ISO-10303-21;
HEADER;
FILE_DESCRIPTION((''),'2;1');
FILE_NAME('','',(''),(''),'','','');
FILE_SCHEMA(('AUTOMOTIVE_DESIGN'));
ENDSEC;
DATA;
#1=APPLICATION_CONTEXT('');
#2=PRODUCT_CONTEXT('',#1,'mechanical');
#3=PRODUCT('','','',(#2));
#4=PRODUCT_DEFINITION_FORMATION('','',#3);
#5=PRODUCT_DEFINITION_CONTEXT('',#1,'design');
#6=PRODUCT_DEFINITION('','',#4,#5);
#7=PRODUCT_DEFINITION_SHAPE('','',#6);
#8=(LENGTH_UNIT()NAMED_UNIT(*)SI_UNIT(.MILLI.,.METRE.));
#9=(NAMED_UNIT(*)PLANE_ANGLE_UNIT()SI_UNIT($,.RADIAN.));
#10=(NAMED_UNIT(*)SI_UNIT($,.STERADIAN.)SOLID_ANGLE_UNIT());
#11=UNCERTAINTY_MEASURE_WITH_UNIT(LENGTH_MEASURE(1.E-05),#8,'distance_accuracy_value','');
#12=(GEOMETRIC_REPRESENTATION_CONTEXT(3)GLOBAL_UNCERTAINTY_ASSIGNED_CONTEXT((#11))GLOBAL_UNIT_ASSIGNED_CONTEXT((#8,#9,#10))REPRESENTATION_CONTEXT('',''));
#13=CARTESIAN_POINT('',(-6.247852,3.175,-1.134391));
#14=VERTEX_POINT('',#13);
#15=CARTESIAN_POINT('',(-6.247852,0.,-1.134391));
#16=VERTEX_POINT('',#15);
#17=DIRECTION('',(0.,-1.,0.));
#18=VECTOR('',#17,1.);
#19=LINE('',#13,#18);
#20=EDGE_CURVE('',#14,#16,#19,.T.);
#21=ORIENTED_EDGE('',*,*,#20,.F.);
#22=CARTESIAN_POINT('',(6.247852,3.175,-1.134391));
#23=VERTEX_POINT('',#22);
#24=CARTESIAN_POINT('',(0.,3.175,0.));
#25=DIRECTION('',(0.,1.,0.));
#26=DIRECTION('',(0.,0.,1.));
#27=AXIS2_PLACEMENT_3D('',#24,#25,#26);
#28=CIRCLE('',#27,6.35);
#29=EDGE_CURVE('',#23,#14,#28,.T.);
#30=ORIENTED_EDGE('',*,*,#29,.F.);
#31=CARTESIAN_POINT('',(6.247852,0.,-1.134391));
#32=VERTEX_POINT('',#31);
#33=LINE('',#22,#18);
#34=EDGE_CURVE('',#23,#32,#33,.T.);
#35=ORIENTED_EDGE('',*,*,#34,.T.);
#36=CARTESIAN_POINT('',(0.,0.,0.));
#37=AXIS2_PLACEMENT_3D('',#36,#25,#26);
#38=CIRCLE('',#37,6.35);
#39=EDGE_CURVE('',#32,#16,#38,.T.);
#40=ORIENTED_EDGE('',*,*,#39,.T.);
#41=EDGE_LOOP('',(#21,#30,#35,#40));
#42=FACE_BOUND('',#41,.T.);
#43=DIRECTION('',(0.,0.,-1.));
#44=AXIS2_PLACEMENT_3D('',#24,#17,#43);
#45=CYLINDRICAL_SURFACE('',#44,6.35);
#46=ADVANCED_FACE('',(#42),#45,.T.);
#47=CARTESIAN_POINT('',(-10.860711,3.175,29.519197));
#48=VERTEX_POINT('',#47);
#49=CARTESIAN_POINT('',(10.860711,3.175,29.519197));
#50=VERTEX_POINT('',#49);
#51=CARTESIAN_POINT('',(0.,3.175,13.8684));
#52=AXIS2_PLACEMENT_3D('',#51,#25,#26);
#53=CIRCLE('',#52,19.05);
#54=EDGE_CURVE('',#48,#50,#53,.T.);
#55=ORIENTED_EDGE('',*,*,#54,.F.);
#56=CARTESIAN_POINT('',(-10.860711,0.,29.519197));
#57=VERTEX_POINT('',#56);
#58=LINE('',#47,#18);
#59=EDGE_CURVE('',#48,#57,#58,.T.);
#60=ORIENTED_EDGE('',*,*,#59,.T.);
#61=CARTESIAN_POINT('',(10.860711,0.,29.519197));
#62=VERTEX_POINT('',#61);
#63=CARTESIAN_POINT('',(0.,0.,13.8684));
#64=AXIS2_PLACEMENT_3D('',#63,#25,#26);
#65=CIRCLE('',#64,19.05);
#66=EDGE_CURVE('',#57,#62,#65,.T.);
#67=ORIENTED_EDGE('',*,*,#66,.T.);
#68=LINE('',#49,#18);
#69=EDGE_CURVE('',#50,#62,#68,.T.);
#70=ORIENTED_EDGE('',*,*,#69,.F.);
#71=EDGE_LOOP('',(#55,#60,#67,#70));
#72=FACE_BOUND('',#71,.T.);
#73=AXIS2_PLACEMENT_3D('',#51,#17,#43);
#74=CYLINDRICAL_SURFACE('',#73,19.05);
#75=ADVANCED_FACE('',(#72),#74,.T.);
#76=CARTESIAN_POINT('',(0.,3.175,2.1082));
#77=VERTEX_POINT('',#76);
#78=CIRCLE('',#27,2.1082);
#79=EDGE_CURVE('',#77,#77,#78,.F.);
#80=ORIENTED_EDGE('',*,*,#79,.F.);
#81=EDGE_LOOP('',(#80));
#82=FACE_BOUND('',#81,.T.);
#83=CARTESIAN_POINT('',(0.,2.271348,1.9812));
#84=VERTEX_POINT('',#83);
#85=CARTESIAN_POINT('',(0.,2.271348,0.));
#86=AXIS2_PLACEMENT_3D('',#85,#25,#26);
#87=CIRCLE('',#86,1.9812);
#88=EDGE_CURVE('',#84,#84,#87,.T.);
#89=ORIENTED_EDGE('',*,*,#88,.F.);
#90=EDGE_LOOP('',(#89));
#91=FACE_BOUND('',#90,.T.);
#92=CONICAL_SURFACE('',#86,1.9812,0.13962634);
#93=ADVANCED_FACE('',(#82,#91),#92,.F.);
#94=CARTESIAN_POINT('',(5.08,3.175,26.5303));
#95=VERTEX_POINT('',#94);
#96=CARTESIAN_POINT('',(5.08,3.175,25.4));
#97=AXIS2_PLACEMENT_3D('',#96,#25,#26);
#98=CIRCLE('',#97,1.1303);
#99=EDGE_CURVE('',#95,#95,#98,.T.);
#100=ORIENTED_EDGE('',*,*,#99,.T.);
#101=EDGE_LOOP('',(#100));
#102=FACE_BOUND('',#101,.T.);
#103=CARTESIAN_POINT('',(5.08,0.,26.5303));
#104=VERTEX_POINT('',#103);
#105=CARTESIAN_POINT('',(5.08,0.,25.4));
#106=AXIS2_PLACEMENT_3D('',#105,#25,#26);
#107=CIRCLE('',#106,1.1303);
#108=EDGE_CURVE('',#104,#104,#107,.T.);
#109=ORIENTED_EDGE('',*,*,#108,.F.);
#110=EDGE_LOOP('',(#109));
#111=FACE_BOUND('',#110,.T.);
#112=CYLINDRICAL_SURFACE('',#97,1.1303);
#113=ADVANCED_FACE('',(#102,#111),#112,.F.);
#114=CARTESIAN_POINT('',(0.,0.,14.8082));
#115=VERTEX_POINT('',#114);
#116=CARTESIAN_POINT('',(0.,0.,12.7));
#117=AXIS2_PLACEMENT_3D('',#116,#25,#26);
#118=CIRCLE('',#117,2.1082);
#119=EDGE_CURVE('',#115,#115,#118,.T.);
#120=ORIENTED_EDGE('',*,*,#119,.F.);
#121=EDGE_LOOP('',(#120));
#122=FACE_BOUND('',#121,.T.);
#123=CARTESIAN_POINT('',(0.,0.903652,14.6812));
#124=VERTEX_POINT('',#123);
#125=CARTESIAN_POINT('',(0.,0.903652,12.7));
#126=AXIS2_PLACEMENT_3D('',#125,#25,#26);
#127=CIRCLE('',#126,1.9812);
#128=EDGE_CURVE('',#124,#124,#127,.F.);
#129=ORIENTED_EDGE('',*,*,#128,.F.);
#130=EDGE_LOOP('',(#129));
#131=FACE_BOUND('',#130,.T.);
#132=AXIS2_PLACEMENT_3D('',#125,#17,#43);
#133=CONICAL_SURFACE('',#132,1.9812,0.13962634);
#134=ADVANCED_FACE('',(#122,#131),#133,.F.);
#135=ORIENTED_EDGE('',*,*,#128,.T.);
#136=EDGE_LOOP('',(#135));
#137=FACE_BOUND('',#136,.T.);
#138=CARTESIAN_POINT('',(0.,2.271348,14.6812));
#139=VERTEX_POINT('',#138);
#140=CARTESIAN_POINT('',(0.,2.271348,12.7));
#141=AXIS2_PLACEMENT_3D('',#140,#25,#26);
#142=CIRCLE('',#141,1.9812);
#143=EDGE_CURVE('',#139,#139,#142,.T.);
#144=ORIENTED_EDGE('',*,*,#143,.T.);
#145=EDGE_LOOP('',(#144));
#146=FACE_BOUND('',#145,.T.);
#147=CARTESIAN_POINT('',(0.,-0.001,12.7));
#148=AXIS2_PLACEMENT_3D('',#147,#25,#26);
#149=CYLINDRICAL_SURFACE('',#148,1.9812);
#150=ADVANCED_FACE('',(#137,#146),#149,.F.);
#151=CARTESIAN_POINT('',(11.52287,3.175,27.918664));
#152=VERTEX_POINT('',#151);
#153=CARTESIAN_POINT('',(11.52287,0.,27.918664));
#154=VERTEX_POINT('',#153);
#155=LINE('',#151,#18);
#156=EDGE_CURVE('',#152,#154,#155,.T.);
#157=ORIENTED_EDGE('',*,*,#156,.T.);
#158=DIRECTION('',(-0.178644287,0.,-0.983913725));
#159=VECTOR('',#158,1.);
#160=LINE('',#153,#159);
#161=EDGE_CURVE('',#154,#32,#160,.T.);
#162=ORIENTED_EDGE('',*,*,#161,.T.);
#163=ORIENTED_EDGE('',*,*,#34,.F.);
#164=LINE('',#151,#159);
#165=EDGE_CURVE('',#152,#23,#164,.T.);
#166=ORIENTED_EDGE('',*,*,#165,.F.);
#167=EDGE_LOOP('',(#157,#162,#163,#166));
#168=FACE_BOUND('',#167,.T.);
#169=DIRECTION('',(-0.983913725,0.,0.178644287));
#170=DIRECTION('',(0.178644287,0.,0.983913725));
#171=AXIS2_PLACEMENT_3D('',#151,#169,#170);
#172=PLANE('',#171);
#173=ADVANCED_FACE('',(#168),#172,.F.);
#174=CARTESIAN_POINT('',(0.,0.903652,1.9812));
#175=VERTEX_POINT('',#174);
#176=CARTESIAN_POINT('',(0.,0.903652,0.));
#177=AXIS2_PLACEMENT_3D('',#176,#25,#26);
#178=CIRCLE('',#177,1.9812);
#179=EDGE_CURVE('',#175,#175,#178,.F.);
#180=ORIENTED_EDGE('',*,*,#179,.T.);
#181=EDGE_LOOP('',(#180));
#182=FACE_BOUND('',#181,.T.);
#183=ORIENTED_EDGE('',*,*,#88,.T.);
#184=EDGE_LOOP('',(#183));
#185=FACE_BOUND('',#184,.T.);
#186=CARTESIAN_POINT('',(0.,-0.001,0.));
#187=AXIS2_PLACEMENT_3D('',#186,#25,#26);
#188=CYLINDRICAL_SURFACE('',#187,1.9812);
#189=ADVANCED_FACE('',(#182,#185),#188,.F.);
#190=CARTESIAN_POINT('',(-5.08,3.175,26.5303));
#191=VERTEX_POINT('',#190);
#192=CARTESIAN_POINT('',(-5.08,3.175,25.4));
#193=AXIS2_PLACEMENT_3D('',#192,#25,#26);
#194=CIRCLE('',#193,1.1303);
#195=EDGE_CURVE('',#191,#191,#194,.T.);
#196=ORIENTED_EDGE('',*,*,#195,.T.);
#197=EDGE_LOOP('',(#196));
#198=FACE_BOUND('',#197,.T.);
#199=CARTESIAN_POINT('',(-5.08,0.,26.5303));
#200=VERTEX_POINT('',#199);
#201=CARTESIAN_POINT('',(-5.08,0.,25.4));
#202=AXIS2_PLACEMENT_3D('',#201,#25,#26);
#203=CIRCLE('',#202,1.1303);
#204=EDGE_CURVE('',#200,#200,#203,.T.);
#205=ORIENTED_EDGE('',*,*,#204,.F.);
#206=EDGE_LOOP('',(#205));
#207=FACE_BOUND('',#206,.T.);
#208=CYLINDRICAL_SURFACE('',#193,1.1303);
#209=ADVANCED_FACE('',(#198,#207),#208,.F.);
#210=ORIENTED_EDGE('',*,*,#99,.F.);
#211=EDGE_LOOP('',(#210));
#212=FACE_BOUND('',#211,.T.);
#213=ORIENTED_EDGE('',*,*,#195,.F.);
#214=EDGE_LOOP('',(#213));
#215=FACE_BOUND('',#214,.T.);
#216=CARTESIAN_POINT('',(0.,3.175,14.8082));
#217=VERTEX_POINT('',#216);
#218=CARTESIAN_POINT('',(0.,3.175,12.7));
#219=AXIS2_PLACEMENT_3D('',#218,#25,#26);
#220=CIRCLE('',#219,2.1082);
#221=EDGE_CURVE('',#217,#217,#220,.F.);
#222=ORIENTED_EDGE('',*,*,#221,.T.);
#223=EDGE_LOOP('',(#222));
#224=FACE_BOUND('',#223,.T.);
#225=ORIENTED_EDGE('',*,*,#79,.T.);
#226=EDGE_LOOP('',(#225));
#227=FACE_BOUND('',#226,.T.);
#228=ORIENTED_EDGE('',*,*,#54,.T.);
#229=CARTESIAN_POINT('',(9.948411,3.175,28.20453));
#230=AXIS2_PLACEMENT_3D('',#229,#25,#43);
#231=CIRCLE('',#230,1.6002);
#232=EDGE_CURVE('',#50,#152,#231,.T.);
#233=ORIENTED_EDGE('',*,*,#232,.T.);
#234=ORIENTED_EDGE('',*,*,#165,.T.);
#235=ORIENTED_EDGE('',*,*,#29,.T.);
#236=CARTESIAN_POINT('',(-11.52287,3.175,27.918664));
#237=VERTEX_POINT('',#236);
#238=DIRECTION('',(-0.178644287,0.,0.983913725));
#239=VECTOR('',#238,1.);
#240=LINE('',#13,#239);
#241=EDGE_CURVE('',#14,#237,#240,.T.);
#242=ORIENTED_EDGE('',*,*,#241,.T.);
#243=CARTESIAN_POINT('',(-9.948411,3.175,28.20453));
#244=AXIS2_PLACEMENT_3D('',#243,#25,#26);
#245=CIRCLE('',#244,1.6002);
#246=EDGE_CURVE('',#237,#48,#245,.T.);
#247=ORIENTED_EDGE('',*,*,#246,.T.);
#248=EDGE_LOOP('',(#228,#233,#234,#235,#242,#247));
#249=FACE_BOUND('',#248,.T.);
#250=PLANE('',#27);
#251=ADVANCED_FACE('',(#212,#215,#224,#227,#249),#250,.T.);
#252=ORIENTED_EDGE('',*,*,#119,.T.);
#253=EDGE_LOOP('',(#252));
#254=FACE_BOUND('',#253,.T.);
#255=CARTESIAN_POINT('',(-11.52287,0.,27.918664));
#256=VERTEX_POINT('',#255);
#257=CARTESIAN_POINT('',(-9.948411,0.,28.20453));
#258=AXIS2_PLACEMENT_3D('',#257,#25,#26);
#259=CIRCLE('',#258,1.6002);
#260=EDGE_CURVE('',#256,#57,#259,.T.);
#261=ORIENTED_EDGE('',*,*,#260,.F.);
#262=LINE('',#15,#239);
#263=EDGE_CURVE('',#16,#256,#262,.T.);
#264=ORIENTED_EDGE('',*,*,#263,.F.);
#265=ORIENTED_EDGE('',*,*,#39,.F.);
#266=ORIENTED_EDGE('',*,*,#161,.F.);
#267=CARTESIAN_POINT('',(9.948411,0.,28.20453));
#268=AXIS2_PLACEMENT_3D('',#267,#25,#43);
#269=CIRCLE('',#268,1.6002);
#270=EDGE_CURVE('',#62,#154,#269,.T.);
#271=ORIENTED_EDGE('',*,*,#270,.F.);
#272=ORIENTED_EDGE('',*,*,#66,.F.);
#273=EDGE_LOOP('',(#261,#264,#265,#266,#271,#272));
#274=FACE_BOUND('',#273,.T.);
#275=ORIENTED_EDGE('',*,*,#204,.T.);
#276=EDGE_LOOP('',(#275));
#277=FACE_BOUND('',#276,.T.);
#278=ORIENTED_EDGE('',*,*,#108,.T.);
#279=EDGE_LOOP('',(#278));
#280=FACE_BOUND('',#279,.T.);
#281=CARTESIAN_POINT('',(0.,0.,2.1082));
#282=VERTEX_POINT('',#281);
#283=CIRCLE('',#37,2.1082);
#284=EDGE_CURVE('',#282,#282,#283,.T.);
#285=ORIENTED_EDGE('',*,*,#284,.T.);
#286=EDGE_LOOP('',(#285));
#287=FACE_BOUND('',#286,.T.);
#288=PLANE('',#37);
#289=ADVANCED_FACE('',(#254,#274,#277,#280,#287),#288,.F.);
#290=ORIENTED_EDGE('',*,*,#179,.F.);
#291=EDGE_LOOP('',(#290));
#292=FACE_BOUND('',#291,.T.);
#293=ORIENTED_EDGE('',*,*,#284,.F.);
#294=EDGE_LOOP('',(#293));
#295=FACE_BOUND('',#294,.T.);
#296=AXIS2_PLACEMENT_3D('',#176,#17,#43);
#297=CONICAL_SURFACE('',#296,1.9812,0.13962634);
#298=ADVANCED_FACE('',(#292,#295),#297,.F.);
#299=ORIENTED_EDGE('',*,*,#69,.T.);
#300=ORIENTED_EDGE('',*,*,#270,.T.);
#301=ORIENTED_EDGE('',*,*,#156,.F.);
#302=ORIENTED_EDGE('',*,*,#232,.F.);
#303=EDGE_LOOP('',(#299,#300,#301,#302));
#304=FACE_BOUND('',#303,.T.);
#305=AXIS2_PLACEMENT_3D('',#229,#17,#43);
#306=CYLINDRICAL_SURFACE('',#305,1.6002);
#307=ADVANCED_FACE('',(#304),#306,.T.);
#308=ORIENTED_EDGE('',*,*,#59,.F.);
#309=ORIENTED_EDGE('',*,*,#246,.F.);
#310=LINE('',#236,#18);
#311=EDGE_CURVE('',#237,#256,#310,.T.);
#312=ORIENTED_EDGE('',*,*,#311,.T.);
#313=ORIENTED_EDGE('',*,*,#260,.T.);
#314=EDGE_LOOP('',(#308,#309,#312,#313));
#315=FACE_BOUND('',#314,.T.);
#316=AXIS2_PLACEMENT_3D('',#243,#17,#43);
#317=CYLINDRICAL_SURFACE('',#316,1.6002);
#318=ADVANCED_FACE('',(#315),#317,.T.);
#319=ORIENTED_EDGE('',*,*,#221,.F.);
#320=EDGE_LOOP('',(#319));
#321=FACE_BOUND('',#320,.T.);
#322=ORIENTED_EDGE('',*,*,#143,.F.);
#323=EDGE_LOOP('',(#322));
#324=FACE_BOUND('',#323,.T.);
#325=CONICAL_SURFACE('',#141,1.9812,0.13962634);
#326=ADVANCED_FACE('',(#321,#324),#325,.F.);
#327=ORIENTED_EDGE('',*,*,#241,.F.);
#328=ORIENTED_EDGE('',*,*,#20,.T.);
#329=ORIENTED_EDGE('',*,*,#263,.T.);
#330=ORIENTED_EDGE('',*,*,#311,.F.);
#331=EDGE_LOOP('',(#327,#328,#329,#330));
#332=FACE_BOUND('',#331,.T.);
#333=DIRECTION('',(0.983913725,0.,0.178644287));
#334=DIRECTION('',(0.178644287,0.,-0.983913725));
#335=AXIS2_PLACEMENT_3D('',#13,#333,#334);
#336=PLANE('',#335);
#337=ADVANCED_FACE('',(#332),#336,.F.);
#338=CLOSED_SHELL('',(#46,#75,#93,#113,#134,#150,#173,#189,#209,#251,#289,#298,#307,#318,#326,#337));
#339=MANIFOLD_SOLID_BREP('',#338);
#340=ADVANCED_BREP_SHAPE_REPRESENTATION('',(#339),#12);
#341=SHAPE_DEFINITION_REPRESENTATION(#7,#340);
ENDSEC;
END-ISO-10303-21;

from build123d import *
from OCP.BRepFilletAPI import BRepFilletAPI_MakeChamfer

# Parameters (mm, degrees)
BOSS_EXTRUDE1_DEPTH   = 3.175
F_4_40_TAPPED_HOLE1_D = 2.2606
CUT_EXTRUDE1_REACH    = 37.03
SKETCH3_R             = 1.9812
CHAMFER1_SIZE         = 0.127
CHAMFER1_SIZE2        = 0.903651955


with BuildPart() as part:
    # Sketch2 → Boss-Extrude1 (new body)
    with BuildSketch(Plane(origin=(0, 0, 0), x_dir=(1, 0, 0), z_dir=(0, 1, 0))):
        with BuildLine():
            Line((-6.247852156, 1.134391221), (-11.522869846, -27.918663873))
            ThreePointArc((-11.522869846, -27.918663873), (-11.4270655, -28.816266687), (-10.860710811, -29.519197446))
            ThreePointArc((-10.860710811, -29.519197446), (0, -32.9184), (10.860710811, -29.519197446))
            ThreePointArc((10.860710811, -29.519197446), (11.4270655, -28.816266687), (11.522869846, -27.918663873))
            Line((11.522869846, -27.918663873), (6.247852156, 1.134391221))
            ThreePointArc((6.247852156, 1.134391221), (0, 6.35), (-6.247852156, 1.134391221))
        make_face()
    extrude(amount=BOSS_EXTRUDE1_DEPTH)

    # #4-40 Tapped Hole1 (through all)
    with Locations(Plane(origin=(0, 3.175, 0), x_dir=(1, 0, 0), z_dir=(0, 1, 0))):
        with Locations((-5.08, -25.4), (5.08, -25.4)):
            Hole(F_4_40_TAPPED_HOLE1_D / 2)

    # Sketch3 → Cut-Extrude1 (cut, up to next)
    with BuildSketch(Plane(origin=(0, 3.175, 0), x_dir=(1, 0, 0), z_dir=(0, 1, 0)), mode=Mode.PRIVATE) as cut_extrude1_sk1:
        with Locations(Location((0, 0, 0), (0, 0, 270))):
            Circle(SKETCH3_R)
    cut_extrude1_tool1 = extrude(cut_extrude1_sk1.sketch, amount=-CUT_EXTRUDE1_REACH, mode=Mode.PRIVATE) & part.part
    # Sketch3 → Cut-Extrude1 (cut, up to next)
    with BuildSketch(Plane(origin=(0, 3.175, 0), x_dir=(1, 0, 0), z_dir=(0, 1, 0)), mode=Mode.PRIVATE) as cut_extrude1_sk2:
        with Locations(Location((0, -12.7, 0), (0, 0, 270))):
            Circle(SKETCH3_R)
    cut_extrude1_tool2 = extrude(cut_extrude1_sk2.sketch, amount=-CUT_EXTRUDE1_REACH, mode=Mode.PRIVATE) & part.part
    add(cut_extrude1_tool1.solids().sort_by_distance((0, 3.175, 0))[0], mode=Mode.SUBTRACT)
    add(cut_extrude1_tool2.solids().sort_by_distance((0, 3.175, 12.7))[0], mode=Mode.SUBTRACT)

    # Chamfer1: one chamfer whose edges measure the first distance from different faces: ONE call of the kernel's chamfer builder (chamfer() names one face for all edges)
    chamfer1_edges_1 = [part.edges().sort_by_distance(p)[0] for p in [
        (0, 3.175, -1.9812),
        (0, 3.175, 10.7188),
    ]]
    chamfer1_side_1 = [part.faces().sort_by_distance(p)[0] for p in [
        (0, 3.175, 15.711859533),
    ]]
    chamfer1_edges_2 = [part.edges().sort_by_distance(p)[0] for p in [
        (0, 0, -1.9812),
        (0, 0, 10.7188),
    ]]
    chamfer1_side_2 = [part.faces().sort_by_distance(p)[0] for p in [
        (0, 0, 15.711859533),
    ]]
    chamfer1 = BRepFilletAPI_MakeChamfer(part.part.solid().wrapped)
    for e in chamfer1_edges_1:
        chamfer1.Add(CHAMFER1_SIZE, CHAMFER1_SIZE2, e.wrapped, chamfer1_side_1[0].wrapped)  # the first distance lies on this face
    for e in chamfer1_edges_2:
        chamfer1.Add(CHAMFER1_SIZE, CHAMFER1_SIZE2, e.wrapped, chamfer1_side_2[0].wrapped)  # the first distance lies on this face
    add(Compound.cast(chamfer1.Shape()), mode=Mode.REPLACE)


solid = part.part
